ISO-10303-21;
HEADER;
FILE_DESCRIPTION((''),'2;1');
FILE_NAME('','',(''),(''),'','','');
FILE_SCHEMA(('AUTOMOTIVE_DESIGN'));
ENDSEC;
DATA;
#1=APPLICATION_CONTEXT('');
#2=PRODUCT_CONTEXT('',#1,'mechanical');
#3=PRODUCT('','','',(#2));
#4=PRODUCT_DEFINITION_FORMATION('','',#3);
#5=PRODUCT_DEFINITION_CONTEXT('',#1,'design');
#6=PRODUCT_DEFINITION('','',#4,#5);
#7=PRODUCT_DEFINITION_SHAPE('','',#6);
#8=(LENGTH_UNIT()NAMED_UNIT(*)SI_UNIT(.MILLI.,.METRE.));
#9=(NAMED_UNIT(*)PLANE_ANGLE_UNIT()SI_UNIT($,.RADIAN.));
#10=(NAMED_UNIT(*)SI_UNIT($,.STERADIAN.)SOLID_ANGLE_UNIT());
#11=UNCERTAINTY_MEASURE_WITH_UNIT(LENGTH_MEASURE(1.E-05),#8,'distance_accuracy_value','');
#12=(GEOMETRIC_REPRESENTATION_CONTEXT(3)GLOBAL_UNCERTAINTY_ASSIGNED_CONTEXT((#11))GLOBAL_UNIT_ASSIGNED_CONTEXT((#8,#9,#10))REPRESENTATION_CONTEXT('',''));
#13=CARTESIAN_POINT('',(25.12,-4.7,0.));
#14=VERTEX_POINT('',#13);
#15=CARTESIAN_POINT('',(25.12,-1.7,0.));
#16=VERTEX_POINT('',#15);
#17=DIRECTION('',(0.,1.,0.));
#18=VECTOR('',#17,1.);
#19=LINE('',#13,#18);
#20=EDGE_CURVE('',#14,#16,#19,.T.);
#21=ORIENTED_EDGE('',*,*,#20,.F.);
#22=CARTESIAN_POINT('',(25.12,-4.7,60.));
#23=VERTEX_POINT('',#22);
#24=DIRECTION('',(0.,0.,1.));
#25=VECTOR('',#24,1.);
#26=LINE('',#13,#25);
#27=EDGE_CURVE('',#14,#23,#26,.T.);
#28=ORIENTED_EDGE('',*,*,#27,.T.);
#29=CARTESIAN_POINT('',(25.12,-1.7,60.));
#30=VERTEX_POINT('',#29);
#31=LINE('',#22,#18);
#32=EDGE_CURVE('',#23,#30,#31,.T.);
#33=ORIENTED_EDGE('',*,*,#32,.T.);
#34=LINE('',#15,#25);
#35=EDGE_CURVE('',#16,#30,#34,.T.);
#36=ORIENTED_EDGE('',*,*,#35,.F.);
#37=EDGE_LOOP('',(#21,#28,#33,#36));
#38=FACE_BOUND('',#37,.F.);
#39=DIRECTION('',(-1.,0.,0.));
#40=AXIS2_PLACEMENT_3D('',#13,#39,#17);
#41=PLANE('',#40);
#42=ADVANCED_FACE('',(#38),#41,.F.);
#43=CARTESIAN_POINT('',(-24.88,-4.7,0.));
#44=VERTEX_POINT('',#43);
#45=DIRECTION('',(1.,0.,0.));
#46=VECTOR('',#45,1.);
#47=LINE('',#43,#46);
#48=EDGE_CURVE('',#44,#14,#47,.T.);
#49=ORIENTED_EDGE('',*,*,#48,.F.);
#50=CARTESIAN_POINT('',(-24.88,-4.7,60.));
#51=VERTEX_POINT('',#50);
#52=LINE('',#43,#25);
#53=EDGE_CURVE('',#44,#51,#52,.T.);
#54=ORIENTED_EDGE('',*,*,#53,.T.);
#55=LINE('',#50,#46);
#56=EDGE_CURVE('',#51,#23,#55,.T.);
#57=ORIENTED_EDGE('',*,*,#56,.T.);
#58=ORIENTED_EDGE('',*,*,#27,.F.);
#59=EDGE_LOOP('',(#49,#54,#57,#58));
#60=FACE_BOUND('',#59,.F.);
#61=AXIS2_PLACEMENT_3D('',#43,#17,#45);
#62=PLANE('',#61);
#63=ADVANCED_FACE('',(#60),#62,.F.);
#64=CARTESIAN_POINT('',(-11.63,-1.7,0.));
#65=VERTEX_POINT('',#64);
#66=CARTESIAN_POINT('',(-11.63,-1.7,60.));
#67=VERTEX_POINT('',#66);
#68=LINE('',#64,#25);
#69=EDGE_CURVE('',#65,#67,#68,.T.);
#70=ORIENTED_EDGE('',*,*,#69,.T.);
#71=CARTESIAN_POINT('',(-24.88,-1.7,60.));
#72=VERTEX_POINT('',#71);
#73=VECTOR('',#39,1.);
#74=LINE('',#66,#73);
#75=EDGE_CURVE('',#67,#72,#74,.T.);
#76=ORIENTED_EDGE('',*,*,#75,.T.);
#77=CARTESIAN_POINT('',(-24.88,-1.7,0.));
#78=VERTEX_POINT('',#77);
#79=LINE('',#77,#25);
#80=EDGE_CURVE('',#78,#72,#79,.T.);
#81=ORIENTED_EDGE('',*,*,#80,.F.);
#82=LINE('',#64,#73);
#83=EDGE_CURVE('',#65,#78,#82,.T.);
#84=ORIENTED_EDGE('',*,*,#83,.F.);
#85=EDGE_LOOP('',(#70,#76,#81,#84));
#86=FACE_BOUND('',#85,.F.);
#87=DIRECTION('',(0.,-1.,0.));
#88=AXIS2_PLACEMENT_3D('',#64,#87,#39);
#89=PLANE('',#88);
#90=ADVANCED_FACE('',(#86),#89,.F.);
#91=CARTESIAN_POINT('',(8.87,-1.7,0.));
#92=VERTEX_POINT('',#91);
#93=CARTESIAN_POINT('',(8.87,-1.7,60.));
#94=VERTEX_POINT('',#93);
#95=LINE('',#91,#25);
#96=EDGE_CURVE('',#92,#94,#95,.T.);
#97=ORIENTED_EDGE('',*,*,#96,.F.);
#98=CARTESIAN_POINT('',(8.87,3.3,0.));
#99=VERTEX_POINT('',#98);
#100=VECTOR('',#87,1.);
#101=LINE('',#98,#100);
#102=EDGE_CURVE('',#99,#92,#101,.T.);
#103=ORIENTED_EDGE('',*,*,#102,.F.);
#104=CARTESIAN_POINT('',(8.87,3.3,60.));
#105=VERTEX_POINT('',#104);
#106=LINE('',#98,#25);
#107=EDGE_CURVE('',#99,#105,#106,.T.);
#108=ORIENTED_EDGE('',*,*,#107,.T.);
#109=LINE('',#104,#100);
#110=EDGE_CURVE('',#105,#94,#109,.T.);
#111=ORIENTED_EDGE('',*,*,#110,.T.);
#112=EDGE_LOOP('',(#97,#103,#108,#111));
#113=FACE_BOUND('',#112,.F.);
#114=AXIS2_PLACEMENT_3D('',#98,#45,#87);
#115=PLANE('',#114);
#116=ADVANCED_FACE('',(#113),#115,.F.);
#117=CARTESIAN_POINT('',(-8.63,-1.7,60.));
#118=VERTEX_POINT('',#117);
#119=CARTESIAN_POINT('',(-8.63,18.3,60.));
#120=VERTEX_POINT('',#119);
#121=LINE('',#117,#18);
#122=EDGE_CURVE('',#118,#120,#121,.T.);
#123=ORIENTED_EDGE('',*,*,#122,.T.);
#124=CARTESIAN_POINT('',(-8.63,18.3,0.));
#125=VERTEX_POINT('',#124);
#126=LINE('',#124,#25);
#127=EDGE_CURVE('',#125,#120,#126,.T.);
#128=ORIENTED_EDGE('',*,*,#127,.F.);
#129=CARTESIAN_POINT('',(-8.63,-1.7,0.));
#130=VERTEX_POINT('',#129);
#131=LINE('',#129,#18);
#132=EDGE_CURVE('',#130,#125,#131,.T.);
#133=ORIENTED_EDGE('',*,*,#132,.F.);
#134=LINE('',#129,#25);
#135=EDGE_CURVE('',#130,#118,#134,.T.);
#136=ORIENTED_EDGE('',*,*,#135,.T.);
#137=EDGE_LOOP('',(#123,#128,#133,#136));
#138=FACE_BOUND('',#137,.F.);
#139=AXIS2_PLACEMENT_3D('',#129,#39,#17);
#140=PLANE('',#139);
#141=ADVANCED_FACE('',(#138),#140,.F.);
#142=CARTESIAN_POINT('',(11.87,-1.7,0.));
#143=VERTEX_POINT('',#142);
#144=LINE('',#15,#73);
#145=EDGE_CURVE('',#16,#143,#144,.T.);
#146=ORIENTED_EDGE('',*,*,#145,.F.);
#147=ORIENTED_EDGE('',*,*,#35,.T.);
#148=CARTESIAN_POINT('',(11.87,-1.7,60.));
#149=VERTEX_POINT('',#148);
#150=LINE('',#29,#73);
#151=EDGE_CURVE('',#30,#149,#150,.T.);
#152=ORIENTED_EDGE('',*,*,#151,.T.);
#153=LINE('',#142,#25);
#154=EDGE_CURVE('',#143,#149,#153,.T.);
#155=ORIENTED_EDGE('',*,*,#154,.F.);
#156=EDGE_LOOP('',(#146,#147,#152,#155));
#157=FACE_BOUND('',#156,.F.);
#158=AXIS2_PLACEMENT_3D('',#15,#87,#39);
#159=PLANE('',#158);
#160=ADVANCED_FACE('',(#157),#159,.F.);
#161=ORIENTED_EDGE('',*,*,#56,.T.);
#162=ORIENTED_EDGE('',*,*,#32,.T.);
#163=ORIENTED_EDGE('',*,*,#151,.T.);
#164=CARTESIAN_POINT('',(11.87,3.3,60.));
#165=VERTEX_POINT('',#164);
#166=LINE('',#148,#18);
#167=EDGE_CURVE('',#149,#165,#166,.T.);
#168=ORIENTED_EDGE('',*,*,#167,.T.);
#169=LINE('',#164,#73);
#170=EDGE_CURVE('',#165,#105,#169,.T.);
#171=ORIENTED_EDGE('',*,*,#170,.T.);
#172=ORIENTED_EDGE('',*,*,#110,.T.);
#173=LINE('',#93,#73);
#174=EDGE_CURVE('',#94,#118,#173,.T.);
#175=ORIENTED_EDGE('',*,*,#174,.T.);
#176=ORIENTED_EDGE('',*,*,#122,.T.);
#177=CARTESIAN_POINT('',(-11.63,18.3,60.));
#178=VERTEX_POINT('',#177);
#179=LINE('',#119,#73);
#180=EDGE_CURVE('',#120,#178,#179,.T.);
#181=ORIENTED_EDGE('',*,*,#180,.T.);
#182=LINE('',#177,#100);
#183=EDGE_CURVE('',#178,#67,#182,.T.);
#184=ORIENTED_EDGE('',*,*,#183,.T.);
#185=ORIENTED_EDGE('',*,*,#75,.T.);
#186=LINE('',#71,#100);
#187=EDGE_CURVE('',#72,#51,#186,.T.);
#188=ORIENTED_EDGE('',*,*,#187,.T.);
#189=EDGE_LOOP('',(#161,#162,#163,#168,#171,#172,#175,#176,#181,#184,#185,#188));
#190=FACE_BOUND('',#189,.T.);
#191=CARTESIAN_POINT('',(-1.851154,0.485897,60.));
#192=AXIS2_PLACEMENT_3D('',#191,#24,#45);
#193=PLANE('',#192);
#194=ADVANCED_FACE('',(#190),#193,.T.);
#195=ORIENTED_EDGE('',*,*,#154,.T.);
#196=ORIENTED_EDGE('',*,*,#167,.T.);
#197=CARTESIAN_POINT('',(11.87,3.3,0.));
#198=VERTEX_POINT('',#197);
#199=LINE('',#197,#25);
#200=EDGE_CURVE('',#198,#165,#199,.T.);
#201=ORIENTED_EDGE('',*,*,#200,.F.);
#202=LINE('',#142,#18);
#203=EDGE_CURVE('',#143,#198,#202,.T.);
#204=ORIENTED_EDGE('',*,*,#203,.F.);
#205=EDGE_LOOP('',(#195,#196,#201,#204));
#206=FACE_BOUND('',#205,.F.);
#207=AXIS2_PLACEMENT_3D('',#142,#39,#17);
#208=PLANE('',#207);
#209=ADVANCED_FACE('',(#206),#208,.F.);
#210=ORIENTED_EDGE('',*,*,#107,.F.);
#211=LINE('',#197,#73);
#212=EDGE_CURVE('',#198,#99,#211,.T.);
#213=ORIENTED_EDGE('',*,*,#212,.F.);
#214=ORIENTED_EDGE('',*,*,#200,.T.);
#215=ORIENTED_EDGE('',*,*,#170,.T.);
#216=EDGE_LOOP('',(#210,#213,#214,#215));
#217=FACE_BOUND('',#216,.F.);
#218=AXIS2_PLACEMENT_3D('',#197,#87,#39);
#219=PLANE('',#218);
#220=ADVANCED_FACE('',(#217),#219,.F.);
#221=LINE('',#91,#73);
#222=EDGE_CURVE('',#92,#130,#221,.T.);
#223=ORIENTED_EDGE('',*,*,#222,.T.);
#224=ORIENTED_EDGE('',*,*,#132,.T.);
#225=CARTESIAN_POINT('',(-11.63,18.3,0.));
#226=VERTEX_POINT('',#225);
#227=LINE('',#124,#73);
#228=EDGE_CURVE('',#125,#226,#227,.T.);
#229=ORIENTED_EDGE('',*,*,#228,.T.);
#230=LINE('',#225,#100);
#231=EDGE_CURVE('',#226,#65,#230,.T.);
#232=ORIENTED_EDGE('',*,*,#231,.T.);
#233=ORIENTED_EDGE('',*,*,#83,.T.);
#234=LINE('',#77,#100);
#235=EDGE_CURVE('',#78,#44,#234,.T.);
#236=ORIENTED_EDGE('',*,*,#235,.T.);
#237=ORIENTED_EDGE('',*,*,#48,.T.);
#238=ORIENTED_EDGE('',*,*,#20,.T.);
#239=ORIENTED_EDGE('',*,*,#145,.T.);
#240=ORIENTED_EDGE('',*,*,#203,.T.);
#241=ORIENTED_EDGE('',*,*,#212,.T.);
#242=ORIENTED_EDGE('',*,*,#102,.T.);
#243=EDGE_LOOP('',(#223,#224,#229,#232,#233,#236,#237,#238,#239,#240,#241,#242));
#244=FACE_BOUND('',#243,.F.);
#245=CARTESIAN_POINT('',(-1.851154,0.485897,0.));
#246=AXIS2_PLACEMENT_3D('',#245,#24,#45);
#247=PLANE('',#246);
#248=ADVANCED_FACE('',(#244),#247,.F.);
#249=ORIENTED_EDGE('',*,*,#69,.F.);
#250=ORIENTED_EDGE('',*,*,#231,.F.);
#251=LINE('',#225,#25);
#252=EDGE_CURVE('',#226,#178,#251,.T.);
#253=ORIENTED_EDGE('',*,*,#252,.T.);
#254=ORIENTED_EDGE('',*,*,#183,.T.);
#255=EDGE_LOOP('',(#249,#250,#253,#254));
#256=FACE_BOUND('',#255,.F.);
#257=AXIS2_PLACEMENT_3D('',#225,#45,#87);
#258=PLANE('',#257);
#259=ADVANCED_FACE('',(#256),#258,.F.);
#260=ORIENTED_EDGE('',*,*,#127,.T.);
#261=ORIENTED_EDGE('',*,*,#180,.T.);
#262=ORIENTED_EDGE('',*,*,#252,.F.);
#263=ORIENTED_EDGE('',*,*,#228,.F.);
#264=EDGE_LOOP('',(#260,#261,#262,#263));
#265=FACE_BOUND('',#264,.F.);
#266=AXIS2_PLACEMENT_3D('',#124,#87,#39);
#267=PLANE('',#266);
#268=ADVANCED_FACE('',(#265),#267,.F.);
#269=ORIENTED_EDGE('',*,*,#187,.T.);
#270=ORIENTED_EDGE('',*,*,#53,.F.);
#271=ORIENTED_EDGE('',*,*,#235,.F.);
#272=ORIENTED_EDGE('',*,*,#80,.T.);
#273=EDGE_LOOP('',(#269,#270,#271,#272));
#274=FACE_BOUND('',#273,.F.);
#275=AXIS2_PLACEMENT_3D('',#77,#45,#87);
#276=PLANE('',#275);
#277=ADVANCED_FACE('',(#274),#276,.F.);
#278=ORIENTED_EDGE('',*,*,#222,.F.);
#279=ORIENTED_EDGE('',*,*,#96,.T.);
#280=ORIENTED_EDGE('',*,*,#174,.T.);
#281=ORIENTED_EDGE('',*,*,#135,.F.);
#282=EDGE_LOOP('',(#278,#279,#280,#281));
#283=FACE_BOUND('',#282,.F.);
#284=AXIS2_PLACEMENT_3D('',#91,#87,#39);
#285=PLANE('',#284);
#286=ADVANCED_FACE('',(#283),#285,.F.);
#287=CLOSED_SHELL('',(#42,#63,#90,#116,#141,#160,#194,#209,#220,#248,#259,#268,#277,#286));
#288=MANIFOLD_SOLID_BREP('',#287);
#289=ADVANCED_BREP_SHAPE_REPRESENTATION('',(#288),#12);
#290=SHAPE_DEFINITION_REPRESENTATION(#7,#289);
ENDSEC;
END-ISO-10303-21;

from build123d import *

# Parameters (mm, degrees)
PAD_DEPTH = 60


with BuildPart() as part:
    # Sketch → Pad (new body)
    with BuildSketch(Plane.XY):
        Polygon((-24.88, -4.7), (25.12, -4.7), (25.12, -1.7), (11.87, -1.7), (11.87, 3.3), (8.87, 3.3), (8.87, -1.7), (-8.63, -1.7), (-8.63, 18.3), (-11.63, 18.3), (-11.63, -1.7), (-24.88, -1.7), align=None)
    extrude(amount=PAD_DEPTH)


solid = part.part
